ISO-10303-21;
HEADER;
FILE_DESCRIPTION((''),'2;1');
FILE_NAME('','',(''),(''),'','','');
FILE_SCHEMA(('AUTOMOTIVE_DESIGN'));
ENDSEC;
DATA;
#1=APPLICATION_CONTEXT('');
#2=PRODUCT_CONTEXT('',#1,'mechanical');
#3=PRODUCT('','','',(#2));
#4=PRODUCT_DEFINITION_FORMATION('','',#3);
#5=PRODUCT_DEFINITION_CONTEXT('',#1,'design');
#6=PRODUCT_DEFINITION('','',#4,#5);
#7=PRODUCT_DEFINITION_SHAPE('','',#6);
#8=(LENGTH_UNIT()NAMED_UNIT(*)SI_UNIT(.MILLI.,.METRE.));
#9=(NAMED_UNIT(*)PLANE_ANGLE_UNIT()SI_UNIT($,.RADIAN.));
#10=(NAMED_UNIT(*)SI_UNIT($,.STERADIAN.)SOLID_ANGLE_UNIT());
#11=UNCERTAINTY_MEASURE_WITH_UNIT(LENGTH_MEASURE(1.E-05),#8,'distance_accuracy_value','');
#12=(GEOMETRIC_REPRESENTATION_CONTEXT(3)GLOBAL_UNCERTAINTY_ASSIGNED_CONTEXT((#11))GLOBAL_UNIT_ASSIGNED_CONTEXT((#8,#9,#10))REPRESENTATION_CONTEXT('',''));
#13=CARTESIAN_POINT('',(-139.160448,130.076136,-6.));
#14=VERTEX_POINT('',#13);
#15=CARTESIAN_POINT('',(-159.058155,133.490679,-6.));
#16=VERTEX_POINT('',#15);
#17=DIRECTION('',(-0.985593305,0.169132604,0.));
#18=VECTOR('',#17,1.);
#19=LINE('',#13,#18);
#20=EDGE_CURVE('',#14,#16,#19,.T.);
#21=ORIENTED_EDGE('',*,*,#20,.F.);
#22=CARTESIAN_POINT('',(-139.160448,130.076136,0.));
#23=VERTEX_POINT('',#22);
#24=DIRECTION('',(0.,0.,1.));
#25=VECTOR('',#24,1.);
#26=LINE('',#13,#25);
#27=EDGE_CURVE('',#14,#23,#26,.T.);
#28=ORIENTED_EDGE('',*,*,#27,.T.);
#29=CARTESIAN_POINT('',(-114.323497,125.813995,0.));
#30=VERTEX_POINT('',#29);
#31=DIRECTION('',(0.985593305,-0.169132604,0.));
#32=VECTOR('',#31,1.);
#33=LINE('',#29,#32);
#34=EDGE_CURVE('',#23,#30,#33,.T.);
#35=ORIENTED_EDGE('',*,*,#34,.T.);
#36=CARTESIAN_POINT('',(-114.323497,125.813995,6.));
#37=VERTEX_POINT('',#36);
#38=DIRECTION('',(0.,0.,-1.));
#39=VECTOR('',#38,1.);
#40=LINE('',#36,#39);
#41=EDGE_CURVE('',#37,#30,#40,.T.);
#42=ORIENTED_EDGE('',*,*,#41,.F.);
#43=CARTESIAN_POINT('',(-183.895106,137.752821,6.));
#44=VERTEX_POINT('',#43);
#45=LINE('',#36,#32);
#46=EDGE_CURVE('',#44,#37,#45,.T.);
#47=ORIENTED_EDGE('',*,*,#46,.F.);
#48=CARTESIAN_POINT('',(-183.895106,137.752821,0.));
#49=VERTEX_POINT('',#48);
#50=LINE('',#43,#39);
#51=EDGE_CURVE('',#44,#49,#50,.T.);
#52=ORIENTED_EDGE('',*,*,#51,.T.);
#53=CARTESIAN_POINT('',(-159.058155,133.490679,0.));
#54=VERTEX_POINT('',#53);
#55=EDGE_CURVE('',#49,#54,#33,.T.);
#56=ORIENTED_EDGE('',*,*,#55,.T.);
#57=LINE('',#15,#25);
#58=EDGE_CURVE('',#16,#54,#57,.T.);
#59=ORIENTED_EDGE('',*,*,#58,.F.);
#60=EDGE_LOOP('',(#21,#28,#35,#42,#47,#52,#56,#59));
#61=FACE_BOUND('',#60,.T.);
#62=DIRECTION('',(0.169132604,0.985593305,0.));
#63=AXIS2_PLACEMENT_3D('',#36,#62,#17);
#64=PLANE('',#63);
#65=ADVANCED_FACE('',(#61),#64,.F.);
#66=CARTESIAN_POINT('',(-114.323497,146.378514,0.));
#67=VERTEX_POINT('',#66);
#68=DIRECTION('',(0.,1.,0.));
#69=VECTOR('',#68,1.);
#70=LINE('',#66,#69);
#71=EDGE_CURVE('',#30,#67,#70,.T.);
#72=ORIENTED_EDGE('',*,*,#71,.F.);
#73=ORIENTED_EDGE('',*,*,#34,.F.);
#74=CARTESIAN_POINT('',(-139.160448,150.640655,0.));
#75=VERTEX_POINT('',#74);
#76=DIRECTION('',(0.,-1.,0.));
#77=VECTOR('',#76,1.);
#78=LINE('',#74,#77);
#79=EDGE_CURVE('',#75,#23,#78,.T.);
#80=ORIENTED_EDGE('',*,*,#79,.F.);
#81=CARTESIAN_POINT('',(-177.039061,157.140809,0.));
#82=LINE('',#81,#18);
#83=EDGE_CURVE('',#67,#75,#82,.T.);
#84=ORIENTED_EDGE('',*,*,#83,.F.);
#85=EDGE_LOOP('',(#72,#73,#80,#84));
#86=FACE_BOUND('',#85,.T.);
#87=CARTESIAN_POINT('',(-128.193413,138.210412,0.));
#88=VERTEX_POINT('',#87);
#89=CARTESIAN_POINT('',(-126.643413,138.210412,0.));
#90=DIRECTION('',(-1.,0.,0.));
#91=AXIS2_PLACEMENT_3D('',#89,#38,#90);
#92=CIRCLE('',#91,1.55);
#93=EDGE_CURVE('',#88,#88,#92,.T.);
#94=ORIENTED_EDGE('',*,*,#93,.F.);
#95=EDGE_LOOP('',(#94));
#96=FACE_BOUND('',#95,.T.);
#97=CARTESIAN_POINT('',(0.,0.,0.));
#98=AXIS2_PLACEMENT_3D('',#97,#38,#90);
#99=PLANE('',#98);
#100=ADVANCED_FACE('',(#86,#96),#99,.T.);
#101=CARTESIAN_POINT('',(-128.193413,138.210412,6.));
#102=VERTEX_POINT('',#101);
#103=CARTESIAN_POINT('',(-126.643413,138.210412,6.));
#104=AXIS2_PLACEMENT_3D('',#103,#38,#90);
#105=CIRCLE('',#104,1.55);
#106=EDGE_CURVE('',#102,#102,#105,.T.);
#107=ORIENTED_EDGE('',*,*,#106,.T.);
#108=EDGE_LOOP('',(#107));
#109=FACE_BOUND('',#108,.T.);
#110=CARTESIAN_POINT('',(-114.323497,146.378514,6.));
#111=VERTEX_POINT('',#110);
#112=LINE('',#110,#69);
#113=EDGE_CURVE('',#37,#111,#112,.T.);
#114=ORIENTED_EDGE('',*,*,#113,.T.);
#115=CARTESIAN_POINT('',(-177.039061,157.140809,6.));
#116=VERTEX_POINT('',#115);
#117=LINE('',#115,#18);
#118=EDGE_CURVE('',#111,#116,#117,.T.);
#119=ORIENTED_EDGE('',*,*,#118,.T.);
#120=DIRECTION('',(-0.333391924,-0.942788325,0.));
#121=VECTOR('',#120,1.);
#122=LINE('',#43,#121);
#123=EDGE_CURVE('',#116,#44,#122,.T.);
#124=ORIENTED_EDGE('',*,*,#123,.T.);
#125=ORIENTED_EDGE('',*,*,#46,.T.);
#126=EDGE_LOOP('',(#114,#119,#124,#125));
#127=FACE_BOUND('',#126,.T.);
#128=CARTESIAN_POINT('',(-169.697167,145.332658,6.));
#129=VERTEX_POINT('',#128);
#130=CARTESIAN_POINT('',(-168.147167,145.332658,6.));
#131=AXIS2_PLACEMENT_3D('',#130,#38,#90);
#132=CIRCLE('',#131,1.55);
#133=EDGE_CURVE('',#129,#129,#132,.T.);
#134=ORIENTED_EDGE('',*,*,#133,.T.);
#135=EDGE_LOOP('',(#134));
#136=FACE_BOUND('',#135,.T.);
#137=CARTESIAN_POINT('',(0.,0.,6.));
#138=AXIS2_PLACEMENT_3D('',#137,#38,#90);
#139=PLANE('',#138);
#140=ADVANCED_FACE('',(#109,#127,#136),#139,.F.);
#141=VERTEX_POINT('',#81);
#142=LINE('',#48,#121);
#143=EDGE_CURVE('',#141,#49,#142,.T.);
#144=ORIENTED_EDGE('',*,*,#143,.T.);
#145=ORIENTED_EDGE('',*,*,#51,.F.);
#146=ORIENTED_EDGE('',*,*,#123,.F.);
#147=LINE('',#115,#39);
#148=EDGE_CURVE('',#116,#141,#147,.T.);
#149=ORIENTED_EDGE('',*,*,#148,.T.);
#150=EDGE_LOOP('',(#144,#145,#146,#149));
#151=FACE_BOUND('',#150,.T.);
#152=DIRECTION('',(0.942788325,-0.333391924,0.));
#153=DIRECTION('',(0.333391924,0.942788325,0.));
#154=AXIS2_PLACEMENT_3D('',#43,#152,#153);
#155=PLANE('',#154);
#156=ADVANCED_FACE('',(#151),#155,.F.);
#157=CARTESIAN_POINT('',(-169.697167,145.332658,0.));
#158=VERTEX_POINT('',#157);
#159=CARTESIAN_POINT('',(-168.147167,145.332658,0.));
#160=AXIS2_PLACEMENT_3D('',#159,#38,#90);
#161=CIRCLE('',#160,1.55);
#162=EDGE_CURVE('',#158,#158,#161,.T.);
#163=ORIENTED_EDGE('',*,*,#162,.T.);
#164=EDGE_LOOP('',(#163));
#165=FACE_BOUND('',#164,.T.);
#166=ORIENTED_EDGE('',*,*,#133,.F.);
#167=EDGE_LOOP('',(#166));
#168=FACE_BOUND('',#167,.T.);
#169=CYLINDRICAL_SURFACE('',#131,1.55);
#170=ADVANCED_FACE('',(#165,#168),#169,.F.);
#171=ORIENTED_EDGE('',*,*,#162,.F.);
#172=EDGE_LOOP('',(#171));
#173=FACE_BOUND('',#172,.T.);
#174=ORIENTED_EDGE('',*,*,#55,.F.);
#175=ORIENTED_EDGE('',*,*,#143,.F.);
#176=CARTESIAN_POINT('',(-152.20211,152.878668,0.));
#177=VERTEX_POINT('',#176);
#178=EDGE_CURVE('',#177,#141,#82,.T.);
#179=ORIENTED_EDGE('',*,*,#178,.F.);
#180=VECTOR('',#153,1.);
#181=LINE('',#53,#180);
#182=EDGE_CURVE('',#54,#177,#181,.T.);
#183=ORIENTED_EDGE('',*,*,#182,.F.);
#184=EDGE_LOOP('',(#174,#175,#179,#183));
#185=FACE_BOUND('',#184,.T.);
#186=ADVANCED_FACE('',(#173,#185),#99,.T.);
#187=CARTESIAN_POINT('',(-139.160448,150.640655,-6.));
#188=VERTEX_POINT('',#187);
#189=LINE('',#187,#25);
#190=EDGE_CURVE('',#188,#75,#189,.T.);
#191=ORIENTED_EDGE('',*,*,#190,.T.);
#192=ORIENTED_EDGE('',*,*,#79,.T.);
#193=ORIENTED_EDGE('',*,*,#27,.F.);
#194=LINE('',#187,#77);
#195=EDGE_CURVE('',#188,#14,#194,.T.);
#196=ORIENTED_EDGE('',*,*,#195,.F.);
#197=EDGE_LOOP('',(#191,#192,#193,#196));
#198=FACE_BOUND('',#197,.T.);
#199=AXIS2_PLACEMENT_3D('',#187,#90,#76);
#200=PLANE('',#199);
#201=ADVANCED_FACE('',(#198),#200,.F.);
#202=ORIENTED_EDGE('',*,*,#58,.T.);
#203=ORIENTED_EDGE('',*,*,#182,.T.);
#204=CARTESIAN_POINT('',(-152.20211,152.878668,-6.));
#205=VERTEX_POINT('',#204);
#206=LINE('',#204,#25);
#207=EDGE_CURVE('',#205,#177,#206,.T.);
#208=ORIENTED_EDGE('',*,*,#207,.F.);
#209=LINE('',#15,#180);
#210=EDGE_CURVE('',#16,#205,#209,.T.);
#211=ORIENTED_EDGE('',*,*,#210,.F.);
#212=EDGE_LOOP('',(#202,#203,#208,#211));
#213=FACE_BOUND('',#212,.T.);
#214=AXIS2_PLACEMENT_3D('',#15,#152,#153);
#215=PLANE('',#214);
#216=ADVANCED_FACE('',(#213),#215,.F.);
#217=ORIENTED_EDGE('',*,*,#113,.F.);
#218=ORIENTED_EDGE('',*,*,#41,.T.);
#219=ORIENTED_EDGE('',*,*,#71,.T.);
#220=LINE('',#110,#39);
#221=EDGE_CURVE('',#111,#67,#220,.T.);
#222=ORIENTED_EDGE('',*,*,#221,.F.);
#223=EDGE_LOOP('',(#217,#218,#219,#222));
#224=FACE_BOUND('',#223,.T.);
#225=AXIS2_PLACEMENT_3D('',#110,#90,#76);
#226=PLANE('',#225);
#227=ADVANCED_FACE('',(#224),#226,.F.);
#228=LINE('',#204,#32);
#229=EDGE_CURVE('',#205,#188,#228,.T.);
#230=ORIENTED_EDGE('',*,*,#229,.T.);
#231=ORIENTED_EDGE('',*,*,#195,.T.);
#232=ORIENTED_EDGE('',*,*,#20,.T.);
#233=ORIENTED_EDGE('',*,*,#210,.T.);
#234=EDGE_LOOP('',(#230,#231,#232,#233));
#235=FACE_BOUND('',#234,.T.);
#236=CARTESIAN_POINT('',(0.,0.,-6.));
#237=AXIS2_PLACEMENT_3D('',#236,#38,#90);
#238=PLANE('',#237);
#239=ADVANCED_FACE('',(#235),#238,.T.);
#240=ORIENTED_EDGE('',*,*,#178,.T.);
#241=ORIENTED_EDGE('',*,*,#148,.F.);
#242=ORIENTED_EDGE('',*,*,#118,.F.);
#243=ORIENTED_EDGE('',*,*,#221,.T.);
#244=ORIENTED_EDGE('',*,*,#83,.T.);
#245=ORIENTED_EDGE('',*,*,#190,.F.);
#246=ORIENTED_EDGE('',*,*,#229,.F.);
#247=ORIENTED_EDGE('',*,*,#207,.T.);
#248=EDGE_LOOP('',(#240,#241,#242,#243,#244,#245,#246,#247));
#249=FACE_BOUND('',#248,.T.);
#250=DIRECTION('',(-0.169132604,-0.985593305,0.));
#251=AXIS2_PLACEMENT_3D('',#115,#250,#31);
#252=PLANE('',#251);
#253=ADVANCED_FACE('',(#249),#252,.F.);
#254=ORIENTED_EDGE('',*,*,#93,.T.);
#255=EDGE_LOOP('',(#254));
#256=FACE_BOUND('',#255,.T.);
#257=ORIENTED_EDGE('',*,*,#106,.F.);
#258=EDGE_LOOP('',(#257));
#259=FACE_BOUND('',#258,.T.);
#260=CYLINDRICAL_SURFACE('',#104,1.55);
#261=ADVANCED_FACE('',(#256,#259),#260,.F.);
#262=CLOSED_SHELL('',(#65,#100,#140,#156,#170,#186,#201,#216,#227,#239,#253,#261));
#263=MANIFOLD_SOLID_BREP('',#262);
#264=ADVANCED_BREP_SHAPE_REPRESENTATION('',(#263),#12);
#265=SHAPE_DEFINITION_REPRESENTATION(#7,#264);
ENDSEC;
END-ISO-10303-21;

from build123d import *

# Parameters (mm, degrees)
EXTRUDE_1_DEPTH     = 6
EXTRUDE_2_DEPTH     = 6
SKETCH_3_R          = 1.55
CUT_EXTRUDE_1_DEPTH = 7


with BuildPart() as part:
    # Эскиз1 → Бобышка-Вытянуть1 (new body)
    with BuildSketch(Plane.XY):
        Polygon((-114.323496858, 125.813994573), (-183.895105895, 137.75282099), (-177.039061357, 157.140809371), (-114.323496858, 146.378513535), align=None)
    extrude(amount=EXTRUDE_1_DEPTH)

    # Эскиз2 → Бобышка-Вытянуть2 (add)
    with BuildSketch(Plane(origin=(0, 0, 0), x_dir=(-1, 0, 0), z_dir=(0, 0, -1))):
        Polygon((139.160448137, 150.64065515), (139.160448137, 130.076136187), (159.058154615, 133.490679376), (152.202110077, 152.878667757), align=None)
    extrude(amount=EXTRUDE_2_DEPTH)

    # Эскиз3 → Вырез-Вытянуть1 (cut, through all)
    with BuildSketch(Plane(origin=(0, 0, 0), x_dir=(-1, 0, 0), z_dir=(0, 0, -1))):
        with Locations((126.643413167, 138.210411601)):
            Circle(SKETCH_3_R)
        with Locations((168.147167316, 145.332657634)):
            Circle(SKETCH_3_R)
    extrude(amount=-CUT_EXTRUDE_1_DEPTH, mode=Mode.SUBTRACT)


solid = part.part
